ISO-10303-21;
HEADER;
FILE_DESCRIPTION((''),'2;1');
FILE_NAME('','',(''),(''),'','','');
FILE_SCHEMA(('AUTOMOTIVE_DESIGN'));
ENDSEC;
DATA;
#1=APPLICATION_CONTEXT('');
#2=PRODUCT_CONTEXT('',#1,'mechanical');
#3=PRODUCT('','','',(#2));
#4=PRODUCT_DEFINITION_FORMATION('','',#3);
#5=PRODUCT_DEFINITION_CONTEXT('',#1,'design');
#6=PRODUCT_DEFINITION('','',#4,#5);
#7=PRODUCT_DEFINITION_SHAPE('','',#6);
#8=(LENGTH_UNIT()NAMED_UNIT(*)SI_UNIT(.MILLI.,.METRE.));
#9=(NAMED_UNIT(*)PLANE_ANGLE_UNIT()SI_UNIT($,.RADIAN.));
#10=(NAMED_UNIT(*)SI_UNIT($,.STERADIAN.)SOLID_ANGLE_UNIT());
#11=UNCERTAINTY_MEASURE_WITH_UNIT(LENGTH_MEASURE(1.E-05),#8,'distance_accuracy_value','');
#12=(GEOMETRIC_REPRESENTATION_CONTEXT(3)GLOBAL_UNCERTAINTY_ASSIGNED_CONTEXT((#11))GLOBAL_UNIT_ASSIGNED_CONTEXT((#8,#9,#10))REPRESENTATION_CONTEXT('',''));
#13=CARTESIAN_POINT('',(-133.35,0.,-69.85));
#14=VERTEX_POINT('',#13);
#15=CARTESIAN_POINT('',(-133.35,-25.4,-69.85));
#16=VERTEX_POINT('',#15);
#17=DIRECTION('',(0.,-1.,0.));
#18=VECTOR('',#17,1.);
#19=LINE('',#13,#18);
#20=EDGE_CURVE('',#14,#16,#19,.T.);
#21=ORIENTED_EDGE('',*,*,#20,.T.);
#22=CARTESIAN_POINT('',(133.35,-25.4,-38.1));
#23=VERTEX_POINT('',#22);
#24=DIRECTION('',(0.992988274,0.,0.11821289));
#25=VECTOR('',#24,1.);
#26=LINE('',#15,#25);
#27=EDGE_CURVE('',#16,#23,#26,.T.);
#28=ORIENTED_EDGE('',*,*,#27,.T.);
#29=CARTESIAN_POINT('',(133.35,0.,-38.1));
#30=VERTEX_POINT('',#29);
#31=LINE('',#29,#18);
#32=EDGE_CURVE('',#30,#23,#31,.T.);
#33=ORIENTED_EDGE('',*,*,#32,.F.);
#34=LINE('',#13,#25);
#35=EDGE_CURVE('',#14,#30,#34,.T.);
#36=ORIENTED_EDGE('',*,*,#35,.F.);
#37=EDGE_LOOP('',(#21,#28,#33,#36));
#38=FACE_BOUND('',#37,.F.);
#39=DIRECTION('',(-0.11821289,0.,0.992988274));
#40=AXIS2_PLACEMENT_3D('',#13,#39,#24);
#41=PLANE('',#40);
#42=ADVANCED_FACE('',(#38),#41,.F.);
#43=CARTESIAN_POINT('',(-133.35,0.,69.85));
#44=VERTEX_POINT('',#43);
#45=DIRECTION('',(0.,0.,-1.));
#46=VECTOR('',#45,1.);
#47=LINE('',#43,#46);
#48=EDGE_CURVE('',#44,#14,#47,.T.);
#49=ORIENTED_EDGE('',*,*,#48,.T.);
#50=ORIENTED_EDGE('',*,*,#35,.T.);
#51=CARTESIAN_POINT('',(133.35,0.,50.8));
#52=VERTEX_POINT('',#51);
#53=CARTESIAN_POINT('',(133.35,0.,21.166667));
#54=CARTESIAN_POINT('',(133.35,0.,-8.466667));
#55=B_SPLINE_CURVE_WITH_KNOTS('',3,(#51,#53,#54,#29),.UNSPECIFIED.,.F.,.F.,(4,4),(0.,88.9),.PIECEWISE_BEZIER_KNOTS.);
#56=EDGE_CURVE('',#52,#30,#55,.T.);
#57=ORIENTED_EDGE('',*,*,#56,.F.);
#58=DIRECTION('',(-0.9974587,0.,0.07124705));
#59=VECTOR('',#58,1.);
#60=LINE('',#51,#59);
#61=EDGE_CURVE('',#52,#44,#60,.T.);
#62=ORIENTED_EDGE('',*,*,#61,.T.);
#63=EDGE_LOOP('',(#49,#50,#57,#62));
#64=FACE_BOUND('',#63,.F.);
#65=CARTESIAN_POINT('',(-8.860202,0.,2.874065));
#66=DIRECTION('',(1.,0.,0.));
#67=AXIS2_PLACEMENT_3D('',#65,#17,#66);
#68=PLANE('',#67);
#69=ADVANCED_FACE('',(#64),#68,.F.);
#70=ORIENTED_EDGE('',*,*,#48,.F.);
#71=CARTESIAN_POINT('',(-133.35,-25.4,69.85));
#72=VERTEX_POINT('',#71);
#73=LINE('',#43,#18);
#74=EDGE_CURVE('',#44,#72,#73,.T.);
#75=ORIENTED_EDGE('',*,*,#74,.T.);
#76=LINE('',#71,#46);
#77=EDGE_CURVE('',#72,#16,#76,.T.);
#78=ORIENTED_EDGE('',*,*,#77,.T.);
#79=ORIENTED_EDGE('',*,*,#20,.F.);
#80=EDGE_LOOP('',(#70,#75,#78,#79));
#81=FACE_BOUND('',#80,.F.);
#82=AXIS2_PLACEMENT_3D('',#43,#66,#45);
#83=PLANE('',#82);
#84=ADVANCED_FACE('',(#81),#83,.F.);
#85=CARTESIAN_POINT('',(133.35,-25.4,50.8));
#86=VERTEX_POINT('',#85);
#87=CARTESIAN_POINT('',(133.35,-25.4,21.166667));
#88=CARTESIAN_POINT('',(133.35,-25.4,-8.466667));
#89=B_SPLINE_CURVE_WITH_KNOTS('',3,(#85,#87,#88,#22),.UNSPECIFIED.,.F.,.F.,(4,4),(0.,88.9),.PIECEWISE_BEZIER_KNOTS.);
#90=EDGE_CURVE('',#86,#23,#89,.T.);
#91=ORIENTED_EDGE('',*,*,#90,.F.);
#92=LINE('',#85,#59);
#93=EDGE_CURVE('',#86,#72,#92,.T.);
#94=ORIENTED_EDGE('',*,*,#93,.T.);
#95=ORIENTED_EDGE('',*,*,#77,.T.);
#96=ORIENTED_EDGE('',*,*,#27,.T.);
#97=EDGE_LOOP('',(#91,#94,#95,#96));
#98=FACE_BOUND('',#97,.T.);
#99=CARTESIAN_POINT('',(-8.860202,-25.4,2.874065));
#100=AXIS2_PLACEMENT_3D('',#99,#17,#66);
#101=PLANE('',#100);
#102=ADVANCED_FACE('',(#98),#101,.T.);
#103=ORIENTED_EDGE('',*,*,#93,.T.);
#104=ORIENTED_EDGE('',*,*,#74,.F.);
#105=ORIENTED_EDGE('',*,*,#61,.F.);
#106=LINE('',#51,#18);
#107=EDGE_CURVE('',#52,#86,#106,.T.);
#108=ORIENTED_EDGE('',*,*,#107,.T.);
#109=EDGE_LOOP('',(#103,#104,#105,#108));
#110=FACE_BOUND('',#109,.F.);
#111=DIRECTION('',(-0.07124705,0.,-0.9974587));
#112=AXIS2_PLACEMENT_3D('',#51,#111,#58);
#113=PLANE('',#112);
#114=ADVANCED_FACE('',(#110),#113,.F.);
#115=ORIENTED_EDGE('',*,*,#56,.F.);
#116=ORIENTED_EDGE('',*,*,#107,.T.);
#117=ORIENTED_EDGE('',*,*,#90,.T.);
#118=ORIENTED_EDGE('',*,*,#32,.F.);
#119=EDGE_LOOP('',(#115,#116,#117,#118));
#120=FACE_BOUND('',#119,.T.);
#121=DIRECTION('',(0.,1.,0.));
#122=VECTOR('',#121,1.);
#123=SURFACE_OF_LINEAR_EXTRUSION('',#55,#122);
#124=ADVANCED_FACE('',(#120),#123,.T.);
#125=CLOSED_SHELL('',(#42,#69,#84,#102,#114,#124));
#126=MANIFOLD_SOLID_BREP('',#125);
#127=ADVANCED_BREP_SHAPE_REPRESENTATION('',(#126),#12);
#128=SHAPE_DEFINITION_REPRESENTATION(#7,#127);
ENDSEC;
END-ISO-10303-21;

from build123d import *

# Parameters (mm, degrees)
F1_DEPTH = 25.4


with BuildPart() as f1:
    # F0 (on Front) → F1 (new body)
    with BuildSketch(Plane.XZ):
        with BuildLine():
            Line((133.35, 50.8), (-133.35, 69.85))
            Line((-133.35, 69.85), (-133.35, -69.85))
            Line((-133.35, -69.85), (133.35, -38.1))
            add(Edge.make_bspline(
                [(133.35, 50.8), (133.35, 21.166667), (133.35, -8.466667), (133.35, -38.1)],
                knots=[0, 0, 0, 0, 88.9, 88.9, 88.9, 88.9], degree=3))
        make_face()
    extrude(amount=F1_DEPTH)


solid = f1.part
